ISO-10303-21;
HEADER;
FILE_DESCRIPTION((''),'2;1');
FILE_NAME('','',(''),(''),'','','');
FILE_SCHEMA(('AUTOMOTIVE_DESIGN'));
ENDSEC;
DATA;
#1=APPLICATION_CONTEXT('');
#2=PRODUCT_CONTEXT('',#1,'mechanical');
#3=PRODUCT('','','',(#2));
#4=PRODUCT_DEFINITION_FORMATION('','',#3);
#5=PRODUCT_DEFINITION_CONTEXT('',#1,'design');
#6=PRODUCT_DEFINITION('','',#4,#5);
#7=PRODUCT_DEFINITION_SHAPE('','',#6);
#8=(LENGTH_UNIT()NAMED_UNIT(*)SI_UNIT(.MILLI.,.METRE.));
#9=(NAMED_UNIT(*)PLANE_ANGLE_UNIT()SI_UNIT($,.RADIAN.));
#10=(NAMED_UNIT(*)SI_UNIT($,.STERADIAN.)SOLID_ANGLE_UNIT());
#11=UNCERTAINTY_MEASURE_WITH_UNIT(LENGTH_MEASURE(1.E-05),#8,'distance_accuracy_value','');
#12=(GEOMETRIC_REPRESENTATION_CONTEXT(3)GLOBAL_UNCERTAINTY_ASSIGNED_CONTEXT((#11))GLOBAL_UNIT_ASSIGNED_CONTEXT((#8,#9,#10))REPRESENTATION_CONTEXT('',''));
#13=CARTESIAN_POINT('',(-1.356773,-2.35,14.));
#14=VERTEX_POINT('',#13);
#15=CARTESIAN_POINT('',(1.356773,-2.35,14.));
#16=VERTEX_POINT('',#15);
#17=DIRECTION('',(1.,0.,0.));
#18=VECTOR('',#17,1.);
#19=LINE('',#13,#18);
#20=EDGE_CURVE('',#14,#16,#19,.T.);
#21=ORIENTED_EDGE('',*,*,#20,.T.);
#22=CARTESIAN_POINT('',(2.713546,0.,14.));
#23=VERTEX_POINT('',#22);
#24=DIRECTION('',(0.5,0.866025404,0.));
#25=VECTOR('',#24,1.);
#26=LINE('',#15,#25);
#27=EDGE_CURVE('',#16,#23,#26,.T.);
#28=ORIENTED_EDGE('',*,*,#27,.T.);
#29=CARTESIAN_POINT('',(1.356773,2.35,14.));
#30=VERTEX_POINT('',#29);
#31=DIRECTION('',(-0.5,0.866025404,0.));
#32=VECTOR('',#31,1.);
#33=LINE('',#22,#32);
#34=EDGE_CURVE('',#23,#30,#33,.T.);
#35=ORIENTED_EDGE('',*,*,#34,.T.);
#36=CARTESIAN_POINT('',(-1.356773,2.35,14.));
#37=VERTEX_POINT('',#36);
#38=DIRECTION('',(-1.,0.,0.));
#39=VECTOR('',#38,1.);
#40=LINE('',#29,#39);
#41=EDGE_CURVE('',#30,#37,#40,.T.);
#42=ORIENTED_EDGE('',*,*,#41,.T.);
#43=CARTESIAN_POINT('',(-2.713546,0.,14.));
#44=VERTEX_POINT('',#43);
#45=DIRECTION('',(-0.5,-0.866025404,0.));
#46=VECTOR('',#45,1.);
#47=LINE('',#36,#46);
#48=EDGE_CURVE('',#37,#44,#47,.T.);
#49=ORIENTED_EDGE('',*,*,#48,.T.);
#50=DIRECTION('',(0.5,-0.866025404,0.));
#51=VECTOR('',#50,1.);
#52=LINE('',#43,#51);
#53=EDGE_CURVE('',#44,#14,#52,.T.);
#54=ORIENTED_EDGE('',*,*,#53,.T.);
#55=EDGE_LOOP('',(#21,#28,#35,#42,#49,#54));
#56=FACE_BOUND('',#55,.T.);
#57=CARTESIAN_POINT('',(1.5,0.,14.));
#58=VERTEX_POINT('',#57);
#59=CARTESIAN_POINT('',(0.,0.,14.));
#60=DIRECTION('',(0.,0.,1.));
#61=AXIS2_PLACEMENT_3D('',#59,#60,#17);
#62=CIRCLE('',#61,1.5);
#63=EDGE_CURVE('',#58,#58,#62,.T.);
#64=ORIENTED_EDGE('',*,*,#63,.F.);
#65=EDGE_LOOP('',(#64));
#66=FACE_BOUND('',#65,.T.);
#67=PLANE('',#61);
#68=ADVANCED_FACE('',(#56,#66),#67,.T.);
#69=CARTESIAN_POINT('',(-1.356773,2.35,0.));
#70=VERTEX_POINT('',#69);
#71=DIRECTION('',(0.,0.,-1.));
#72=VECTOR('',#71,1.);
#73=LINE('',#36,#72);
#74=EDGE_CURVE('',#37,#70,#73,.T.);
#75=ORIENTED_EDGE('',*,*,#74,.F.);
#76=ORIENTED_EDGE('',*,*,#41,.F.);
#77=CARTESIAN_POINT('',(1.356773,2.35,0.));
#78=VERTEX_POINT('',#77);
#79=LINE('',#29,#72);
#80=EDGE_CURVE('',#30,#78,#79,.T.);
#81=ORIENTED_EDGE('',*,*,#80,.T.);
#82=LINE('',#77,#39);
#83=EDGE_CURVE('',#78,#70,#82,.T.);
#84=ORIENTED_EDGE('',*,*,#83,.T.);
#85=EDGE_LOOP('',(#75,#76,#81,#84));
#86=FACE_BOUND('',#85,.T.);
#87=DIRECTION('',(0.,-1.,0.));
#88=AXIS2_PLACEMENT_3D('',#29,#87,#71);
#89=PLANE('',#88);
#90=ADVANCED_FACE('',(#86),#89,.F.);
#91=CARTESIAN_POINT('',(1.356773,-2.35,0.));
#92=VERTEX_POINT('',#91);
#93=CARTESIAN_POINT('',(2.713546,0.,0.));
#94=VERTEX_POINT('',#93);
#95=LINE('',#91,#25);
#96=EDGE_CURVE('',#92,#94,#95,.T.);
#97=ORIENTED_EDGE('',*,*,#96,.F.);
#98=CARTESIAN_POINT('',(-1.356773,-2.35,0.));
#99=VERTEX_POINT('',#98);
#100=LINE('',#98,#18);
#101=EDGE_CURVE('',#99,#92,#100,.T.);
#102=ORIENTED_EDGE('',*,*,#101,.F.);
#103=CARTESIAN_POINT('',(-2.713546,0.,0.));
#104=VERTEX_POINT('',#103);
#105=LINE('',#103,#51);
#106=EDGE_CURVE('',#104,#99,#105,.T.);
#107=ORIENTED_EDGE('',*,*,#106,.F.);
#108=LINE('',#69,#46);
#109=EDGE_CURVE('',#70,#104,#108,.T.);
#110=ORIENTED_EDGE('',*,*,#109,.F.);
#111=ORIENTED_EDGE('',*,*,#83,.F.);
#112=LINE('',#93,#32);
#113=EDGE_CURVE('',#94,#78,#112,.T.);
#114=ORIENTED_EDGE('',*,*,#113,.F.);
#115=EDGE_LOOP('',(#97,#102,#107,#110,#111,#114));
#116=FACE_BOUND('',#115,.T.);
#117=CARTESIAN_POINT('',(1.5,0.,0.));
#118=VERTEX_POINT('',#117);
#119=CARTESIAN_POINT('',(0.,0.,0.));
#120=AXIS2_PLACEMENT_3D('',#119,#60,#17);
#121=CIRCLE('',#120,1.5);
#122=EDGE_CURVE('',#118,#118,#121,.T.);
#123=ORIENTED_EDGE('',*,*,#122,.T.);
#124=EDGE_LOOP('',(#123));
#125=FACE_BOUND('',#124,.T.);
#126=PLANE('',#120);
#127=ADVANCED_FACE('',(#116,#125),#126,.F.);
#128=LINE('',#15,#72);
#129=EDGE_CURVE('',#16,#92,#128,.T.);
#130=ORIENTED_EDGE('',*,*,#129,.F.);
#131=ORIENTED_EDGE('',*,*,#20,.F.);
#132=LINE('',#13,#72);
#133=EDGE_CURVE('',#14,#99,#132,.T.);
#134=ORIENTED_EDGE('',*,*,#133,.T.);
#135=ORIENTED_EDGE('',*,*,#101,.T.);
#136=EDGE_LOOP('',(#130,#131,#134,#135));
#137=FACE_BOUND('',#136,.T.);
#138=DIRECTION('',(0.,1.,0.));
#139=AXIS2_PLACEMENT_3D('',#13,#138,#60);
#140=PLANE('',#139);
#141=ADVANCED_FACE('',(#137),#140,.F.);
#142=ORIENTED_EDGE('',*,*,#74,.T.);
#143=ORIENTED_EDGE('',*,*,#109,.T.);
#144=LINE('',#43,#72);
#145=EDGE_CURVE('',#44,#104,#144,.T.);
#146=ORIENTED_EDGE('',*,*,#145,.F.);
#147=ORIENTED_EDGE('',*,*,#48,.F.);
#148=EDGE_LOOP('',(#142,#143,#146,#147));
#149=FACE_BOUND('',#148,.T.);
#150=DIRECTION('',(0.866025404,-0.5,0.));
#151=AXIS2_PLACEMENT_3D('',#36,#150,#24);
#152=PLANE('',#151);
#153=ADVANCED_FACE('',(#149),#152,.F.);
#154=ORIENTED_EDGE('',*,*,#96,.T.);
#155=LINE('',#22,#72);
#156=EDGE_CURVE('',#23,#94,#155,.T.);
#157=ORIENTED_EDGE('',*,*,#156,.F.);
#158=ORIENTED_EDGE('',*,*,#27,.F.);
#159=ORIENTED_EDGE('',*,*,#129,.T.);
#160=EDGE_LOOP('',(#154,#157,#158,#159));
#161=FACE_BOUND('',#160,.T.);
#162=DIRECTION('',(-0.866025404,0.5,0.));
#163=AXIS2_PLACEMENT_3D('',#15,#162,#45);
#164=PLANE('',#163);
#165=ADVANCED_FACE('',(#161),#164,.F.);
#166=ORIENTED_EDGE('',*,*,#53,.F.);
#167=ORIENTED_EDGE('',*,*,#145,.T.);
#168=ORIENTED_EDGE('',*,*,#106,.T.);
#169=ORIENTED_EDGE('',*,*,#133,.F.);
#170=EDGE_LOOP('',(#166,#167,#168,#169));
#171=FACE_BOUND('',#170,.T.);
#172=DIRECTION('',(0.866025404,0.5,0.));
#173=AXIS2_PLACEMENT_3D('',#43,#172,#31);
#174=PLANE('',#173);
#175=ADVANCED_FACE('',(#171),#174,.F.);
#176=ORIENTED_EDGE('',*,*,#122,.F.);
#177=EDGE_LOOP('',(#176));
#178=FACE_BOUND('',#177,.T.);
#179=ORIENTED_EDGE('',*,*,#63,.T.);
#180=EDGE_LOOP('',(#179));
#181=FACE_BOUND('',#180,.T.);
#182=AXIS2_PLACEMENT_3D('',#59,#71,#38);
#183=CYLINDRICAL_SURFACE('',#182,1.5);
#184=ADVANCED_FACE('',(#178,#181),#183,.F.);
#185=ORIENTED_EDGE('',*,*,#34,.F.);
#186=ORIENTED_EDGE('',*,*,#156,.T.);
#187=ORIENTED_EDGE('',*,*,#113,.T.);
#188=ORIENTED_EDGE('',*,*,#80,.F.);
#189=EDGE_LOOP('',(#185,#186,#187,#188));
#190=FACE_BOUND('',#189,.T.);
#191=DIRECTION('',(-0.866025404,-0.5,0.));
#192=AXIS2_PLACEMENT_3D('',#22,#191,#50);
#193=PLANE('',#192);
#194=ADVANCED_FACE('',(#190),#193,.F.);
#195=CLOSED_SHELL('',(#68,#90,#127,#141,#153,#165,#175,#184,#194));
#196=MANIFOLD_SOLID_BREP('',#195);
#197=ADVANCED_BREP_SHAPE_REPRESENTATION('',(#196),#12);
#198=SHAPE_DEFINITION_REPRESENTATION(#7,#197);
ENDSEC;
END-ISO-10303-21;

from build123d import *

# Parameters (mm, degrees)
SKETCH_1_R      = 1.5
EXTRUDE_1_DEPTH = 14


with BuildPart() as part:
    # 草图1 → 凸台-拉伸1 (new body)
    with BuildSketch(Plane.XY):
        Polygon((1.356773133, 2.35), (-1.356773133, 2.35), (-2.713546265, 0), (-1.356773133, -2.35), (1.356773133, -2.35), (2.713546265, 0), align=None)
        Circle(SKETCH_1_R, mode=Mode.SUBTRACT)
    extrude(amount=EXTRUDE_1_DEPTH)


solid = part.part
